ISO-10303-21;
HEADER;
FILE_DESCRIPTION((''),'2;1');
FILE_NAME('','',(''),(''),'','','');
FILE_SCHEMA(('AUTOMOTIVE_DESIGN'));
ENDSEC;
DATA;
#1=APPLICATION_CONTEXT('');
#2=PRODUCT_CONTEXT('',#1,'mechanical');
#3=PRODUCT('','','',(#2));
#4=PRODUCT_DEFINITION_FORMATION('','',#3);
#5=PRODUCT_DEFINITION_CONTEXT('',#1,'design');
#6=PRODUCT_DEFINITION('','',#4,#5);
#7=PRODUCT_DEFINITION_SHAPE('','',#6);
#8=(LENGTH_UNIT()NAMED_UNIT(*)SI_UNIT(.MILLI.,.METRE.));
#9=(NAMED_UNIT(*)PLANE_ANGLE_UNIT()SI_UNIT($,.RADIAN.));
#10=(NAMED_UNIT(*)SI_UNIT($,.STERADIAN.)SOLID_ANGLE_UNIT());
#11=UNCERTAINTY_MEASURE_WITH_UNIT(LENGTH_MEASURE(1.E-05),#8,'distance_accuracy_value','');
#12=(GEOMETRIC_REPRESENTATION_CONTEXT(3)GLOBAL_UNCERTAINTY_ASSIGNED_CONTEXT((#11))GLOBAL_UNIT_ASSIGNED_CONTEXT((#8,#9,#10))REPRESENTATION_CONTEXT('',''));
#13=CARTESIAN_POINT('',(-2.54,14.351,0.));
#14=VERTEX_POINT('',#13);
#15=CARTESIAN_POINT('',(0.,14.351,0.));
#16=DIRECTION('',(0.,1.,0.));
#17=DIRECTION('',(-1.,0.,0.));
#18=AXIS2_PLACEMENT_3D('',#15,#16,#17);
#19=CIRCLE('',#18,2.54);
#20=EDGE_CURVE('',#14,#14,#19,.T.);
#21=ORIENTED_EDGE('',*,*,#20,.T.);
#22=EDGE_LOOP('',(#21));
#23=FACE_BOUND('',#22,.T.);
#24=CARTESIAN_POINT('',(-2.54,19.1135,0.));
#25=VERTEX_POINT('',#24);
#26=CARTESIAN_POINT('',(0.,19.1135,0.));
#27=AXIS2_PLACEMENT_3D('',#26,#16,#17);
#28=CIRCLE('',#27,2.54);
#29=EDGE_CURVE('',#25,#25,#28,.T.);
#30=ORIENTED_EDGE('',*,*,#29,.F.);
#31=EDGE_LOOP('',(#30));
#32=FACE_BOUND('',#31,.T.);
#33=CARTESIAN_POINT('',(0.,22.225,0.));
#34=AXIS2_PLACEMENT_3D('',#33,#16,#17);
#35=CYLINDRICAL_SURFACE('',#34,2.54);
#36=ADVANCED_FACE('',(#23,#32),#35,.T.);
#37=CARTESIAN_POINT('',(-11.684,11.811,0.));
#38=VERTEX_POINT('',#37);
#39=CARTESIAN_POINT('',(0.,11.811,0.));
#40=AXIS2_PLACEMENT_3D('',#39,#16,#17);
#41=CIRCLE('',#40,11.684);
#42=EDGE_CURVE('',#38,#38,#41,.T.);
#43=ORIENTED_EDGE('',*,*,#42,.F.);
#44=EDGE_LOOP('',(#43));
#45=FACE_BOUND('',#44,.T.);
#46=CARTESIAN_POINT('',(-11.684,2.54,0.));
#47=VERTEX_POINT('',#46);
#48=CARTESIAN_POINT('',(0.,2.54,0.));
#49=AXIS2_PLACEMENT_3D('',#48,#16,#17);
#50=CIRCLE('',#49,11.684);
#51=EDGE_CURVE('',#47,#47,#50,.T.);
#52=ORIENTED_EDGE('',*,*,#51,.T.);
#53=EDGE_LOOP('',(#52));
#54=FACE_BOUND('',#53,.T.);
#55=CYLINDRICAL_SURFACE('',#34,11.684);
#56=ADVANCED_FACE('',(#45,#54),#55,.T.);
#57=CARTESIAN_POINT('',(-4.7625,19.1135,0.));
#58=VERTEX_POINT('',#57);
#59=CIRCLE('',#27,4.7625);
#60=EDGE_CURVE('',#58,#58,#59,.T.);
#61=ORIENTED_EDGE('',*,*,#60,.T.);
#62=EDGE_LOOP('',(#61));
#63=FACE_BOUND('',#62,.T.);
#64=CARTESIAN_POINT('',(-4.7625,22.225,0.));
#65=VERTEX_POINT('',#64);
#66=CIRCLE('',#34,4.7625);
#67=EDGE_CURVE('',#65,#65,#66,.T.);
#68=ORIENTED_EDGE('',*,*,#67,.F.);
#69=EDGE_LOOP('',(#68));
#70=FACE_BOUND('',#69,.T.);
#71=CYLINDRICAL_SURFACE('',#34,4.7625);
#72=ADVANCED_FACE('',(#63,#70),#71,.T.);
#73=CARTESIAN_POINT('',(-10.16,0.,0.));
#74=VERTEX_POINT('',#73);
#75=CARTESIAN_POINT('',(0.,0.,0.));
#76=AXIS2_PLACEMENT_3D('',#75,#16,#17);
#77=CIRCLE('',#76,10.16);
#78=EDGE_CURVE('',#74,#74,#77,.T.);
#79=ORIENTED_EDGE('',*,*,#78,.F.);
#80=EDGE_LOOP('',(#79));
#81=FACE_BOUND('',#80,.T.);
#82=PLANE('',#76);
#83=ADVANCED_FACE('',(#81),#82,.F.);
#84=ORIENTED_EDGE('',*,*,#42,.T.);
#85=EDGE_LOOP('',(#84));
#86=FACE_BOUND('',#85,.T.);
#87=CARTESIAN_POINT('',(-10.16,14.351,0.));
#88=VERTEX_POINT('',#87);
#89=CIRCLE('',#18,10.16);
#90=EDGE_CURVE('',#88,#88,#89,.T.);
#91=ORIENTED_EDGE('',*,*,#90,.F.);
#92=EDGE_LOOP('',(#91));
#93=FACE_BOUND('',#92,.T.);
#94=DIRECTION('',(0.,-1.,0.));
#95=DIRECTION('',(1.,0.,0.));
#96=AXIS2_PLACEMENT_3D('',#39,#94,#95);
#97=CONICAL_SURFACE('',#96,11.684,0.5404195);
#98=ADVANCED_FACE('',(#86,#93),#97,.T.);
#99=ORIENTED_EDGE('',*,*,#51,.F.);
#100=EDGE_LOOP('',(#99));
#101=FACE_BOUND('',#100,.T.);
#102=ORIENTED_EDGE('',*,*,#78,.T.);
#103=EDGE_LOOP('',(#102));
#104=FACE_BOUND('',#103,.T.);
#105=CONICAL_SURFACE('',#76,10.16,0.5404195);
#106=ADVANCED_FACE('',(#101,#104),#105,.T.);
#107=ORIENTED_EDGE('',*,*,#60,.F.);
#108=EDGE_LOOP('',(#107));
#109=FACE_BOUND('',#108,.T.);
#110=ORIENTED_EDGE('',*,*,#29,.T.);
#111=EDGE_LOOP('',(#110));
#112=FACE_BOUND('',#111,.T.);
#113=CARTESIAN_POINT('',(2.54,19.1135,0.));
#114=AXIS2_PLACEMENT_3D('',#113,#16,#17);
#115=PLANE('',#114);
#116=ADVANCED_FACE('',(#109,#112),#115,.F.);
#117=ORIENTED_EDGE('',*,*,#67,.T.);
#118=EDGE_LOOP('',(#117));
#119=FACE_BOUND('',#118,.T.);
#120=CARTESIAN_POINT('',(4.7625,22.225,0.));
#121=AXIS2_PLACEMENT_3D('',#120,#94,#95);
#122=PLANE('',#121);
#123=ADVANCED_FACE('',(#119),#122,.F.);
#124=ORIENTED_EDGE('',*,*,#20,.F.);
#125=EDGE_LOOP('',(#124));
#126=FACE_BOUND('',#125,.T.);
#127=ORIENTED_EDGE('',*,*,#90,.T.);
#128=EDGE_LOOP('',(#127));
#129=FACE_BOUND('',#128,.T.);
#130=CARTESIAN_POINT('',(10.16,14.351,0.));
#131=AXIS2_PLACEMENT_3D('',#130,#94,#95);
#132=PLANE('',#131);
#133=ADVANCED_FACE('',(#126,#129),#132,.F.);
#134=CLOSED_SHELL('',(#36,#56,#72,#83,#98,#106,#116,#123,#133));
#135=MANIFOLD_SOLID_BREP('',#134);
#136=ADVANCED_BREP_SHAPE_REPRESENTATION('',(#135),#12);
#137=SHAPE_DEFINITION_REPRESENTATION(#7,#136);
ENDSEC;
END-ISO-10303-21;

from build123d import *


with BuildPart() as part:
    # Sketch1 → Revolve1 (revolve)
    with BuildSketch(Plane.XY, mode=Mode.PRIVATE) as revolve1_sk:
        Polygon((0, 0), (10.16, 0), (11.684, 2.54), (11.684, 11.811), (10.16, 14.351), (2.54, 14.351), (2.54, 19.1135), (4.7625, 19.1135), (4.7625, 22.225), (0, 22.225), align=None)
    revolve(revolve1_sk.sketch.rotate(Axis((0, 22.225, 0), (0, -1, 0)), 180), axis=Axis((0, 22.225, 0), (0, -1, 0)))


solid = part.part
